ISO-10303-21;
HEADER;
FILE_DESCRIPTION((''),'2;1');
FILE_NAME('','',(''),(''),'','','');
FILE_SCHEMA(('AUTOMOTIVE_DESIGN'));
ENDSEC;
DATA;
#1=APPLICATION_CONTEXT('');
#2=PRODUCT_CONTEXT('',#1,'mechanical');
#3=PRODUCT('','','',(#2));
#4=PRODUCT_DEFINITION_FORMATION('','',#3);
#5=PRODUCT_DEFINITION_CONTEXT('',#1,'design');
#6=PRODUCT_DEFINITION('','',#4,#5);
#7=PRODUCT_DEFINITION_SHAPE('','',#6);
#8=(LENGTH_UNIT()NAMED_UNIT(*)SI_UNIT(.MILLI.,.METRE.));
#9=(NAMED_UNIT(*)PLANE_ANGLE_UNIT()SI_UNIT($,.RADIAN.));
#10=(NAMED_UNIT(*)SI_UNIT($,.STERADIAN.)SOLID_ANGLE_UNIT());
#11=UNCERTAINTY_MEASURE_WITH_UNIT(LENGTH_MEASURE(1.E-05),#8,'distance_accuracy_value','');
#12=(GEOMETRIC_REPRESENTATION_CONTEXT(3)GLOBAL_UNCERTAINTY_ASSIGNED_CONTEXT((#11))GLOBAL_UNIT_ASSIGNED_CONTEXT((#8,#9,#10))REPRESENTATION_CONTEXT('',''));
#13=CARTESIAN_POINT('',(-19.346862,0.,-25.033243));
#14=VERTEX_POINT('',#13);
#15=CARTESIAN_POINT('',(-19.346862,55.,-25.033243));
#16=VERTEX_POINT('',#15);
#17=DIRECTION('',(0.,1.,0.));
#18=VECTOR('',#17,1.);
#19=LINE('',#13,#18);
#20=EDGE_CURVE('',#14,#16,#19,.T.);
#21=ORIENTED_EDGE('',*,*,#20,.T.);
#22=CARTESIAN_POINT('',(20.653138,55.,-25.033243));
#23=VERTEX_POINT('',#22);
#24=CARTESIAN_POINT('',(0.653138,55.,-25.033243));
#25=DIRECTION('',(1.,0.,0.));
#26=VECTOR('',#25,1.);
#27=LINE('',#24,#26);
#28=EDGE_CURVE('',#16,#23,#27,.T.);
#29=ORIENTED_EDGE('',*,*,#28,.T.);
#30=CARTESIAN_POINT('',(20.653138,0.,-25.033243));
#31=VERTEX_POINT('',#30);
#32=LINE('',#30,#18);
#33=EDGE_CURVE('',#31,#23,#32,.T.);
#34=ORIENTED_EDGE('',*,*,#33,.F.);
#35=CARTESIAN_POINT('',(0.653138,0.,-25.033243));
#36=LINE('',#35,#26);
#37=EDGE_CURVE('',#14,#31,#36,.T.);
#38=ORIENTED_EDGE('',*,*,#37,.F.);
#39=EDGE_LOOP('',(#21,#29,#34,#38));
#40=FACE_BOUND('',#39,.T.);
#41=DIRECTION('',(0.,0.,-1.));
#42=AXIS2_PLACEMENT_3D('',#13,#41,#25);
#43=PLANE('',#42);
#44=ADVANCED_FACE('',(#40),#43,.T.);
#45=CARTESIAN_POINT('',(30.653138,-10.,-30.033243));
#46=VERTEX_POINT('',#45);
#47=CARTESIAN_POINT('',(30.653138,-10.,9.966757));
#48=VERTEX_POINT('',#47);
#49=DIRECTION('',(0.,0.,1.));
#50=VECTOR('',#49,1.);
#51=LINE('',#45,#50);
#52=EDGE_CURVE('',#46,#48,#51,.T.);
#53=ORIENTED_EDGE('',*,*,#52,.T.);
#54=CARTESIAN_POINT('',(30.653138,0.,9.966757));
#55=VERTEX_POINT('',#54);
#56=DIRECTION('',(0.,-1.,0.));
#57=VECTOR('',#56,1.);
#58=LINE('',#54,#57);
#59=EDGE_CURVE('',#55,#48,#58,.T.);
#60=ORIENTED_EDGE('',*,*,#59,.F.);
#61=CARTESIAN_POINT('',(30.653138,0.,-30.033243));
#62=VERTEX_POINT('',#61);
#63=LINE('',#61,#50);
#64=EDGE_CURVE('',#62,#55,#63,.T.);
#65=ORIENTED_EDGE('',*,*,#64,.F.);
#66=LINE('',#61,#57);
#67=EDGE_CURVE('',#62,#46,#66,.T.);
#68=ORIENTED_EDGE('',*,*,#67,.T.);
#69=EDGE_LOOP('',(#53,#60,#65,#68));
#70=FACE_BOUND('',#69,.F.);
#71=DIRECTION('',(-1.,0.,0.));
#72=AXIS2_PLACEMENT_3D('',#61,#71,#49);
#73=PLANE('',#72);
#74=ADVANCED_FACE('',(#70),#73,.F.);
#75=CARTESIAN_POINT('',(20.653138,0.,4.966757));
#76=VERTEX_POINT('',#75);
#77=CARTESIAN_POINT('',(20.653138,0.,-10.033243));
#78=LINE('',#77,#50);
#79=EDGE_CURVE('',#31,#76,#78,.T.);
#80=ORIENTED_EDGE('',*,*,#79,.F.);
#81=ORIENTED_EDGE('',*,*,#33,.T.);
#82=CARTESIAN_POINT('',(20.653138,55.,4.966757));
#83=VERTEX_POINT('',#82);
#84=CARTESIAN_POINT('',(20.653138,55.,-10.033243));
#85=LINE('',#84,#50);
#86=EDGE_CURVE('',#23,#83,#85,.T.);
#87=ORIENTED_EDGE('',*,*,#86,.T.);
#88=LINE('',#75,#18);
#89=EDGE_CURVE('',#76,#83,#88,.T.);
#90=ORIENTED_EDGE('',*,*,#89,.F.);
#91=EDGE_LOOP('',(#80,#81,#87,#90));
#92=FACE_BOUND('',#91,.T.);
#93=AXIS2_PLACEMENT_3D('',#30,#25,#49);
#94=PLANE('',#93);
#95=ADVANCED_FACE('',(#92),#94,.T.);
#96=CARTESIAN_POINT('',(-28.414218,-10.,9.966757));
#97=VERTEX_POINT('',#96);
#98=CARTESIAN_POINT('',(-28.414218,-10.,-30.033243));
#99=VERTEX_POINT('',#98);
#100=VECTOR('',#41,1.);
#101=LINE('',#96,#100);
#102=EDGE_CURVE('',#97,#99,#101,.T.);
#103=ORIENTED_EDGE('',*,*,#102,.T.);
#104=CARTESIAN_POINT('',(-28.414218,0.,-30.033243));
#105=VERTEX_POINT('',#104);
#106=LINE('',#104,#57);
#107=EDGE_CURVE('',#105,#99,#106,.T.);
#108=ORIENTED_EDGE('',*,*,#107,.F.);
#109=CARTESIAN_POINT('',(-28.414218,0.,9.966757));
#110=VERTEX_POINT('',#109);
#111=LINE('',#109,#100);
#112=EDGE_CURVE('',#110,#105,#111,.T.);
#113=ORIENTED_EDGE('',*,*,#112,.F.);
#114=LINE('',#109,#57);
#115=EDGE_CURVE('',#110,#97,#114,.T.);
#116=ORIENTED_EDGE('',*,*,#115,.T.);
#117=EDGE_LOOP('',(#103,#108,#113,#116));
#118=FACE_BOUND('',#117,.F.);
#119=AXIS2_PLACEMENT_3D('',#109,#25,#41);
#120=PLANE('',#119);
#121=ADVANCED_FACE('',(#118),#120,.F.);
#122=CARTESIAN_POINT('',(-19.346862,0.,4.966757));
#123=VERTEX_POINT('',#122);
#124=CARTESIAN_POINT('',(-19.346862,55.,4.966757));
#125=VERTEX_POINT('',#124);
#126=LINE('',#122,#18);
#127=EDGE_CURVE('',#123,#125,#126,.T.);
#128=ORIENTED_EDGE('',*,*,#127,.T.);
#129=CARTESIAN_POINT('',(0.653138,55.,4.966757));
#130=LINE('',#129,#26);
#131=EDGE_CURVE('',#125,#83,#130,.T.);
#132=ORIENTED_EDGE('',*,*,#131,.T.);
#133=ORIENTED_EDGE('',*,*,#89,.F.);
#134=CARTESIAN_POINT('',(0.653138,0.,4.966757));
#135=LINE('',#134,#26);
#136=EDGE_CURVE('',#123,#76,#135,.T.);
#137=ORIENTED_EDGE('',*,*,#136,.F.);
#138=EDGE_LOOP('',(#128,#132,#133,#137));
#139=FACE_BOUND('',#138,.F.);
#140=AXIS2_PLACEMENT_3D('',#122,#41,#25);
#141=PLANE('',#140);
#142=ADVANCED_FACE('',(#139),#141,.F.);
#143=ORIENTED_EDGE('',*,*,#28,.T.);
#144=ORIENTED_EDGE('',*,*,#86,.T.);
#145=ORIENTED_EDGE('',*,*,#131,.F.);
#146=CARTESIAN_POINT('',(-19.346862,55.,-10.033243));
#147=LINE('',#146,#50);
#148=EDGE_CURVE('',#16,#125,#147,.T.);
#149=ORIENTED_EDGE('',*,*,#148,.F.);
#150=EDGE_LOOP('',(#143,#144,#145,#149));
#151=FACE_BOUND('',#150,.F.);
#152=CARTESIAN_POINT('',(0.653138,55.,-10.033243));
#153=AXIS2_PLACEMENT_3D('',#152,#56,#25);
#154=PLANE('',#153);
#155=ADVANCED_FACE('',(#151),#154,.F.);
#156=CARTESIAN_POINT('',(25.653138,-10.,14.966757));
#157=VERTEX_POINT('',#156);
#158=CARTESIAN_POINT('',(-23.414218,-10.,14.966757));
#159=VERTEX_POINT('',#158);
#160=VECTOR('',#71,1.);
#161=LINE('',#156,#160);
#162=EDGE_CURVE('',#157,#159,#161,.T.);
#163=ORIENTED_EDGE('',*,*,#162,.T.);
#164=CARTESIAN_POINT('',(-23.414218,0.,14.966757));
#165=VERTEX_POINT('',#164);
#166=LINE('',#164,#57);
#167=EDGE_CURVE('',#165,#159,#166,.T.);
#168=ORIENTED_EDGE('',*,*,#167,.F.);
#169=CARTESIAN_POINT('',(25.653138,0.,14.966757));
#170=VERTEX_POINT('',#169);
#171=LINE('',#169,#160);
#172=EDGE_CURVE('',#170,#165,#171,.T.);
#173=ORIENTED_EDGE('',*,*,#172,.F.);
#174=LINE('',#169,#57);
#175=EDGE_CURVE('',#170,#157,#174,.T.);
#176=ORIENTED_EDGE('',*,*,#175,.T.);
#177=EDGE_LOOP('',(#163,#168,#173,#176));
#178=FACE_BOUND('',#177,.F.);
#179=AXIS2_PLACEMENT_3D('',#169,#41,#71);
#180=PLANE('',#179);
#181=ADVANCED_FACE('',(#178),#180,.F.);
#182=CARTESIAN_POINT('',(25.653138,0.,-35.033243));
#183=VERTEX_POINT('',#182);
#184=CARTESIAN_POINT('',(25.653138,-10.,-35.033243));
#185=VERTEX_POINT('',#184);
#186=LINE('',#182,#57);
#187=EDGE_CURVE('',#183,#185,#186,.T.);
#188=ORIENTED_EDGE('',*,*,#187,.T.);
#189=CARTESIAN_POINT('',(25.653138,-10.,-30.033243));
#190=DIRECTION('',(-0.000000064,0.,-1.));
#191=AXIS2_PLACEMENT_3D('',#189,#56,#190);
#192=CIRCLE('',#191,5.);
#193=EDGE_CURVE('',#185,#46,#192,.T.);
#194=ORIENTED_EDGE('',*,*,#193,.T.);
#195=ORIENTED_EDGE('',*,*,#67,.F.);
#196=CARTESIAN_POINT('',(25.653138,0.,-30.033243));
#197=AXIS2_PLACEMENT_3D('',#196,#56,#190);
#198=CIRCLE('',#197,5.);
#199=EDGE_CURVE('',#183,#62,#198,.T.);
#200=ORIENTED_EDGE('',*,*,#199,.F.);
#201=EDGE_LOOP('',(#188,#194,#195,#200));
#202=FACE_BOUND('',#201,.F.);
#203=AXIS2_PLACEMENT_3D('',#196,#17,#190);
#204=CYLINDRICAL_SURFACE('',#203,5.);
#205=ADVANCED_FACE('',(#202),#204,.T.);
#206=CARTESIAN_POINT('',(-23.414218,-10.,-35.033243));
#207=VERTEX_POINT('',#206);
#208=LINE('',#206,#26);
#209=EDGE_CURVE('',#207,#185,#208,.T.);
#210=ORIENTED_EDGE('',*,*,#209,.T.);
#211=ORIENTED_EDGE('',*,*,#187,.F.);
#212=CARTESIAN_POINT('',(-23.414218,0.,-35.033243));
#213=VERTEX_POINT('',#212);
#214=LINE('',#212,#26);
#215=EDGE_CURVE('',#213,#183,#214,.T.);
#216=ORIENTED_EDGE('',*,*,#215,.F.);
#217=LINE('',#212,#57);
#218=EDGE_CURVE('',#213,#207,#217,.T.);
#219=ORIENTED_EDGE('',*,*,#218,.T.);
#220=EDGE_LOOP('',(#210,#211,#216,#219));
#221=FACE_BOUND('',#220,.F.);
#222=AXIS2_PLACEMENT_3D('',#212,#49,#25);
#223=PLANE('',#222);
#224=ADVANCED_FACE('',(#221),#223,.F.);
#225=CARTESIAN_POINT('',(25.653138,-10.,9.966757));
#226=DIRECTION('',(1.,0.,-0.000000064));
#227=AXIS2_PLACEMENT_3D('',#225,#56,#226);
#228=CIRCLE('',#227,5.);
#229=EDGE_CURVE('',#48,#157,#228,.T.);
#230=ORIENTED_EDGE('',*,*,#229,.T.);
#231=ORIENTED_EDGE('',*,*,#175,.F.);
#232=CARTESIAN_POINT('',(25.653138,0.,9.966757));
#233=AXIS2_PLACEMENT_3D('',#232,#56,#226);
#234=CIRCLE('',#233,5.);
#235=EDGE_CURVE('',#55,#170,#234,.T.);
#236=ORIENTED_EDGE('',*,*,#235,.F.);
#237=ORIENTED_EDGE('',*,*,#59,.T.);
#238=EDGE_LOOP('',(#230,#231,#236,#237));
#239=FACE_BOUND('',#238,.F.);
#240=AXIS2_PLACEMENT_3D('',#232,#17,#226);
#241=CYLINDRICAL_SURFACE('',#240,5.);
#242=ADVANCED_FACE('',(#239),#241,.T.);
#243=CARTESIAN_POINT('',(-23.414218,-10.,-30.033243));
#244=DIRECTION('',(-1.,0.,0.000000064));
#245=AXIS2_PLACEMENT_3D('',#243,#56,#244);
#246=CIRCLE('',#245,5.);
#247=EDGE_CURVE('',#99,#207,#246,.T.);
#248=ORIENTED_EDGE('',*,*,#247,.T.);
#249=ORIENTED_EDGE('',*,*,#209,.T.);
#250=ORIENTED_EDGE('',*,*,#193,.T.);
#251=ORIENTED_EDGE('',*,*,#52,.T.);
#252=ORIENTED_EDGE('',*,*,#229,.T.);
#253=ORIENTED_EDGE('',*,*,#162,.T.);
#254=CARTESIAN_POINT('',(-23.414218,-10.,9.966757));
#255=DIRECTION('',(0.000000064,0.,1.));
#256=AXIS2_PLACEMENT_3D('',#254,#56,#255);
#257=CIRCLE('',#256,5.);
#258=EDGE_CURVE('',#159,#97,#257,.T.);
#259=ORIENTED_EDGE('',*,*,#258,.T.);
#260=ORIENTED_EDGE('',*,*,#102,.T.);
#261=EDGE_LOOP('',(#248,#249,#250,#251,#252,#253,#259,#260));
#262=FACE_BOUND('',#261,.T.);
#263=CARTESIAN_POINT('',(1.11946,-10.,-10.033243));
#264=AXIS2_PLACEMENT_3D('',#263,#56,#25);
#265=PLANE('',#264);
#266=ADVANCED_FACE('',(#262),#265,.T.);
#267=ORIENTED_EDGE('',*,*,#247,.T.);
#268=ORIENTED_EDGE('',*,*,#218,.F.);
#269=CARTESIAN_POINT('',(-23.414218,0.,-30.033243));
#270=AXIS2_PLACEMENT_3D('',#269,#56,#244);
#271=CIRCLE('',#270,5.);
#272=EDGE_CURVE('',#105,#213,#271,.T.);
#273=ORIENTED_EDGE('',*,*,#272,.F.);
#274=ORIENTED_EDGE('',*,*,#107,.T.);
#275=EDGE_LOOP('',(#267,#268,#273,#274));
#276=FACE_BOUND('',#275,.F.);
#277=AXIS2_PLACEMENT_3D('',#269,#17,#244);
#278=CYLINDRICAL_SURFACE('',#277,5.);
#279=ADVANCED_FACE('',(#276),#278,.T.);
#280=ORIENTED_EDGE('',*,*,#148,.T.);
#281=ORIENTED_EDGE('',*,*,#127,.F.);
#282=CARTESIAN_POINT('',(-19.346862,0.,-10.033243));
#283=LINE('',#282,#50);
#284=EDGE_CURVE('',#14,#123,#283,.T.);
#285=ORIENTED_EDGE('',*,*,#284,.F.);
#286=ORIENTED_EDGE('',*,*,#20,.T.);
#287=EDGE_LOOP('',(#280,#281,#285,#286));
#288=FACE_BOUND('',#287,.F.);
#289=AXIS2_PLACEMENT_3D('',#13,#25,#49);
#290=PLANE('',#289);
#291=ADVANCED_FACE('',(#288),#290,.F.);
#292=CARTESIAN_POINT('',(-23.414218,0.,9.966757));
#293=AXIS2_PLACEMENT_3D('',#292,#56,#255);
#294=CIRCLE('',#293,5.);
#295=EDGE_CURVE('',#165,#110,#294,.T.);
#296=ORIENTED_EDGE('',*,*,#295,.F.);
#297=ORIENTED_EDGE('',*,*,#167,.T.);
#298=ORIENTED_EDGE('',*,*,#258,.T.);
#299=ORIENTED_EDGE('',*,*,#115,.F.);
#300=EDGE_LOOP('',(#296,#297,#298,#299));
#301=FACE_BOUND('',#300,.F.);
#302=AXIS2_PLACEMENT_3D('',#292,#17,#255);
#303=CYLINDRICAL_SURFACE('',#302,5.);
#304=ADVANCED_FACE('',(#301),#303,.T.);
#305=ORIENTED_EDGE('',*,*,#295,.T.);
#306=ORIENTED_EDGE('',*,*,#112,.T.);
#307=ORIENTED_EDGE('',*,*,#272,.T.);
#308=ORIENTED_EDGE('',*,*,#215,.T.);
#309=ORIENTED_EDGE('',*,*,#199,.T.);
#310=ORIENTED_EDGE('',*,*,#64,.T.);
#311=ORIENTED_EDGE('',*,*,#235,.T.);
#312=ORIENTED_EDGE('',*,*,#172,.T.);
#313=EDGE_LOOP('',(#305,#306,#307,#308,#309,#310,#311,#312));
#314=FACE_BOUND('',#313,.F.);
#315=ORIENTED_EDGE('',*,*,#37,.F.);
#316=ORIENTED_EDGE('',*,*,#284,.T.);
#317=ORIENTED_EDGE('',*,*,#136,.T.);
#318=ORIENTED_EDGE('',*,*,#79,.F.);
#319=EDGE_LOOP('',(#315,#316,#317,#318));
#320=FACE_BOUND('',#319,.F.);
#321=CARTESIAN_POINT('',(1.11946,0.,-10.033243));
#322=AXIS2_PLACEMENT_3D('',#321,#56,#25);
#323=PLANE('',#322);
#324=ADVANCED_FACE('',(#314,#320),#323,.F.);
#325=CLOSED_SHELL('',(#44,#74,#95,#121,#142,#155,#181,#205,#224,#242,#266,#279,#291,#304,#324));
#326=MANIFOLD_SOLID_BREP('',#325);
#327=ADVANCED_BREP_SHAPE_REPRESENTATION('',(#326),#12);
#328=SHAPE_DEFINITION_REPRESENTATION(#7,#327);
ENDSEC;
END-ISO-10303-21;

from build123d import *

# Parameters (mm, degrees)
F1_DEPTH = 10
F2_W     = 40
F2_H     = 30
F3_DEPTH = 55


with BuildPart() as f1:
    # F0 (on Front) → F1 (new body)
    with BuildSketch(Plane.XZ):
        with BuildLine():
            Line((25.653138, 14.966757), (-23.414218, 14.966757))
            ThreePointArc((-23.414218, 14.966757), (-26.949752, 13.502291), (-28.414218, 9.966757))
            Line((-28.414218, 9.966757), (-28.414218, -30.033243))
            ThreePointArc((-28.414218, -30.033243), (-26.949752, -33.568777), (-23.414218, -35.033243))
            Line((-23.414218, -35.033243), (25.653138, -35.033243))
            ThreePointArc((25.653138, -35.033243), (29.188672, -33.568777), (30.653138, -30.033243))
            Line((30.653138, -30.033243), (30.653138, 9.966757))
            ThreePointArc((30.653138, 9.966757), (29.188672, 13.502291), (25.653138, 14.966757))
        make_face()
    extrude(amount=F1_DEPTH)

    # F2 (on Front) → F3 (join)
    with BuildSketch(Plane.XZ):
        with Locations((0.653138, -10.033243)):
            Rectangle(F2_W, F2_H)
    extrude(amount=-F3_DEPTH)


solid = f1.part
